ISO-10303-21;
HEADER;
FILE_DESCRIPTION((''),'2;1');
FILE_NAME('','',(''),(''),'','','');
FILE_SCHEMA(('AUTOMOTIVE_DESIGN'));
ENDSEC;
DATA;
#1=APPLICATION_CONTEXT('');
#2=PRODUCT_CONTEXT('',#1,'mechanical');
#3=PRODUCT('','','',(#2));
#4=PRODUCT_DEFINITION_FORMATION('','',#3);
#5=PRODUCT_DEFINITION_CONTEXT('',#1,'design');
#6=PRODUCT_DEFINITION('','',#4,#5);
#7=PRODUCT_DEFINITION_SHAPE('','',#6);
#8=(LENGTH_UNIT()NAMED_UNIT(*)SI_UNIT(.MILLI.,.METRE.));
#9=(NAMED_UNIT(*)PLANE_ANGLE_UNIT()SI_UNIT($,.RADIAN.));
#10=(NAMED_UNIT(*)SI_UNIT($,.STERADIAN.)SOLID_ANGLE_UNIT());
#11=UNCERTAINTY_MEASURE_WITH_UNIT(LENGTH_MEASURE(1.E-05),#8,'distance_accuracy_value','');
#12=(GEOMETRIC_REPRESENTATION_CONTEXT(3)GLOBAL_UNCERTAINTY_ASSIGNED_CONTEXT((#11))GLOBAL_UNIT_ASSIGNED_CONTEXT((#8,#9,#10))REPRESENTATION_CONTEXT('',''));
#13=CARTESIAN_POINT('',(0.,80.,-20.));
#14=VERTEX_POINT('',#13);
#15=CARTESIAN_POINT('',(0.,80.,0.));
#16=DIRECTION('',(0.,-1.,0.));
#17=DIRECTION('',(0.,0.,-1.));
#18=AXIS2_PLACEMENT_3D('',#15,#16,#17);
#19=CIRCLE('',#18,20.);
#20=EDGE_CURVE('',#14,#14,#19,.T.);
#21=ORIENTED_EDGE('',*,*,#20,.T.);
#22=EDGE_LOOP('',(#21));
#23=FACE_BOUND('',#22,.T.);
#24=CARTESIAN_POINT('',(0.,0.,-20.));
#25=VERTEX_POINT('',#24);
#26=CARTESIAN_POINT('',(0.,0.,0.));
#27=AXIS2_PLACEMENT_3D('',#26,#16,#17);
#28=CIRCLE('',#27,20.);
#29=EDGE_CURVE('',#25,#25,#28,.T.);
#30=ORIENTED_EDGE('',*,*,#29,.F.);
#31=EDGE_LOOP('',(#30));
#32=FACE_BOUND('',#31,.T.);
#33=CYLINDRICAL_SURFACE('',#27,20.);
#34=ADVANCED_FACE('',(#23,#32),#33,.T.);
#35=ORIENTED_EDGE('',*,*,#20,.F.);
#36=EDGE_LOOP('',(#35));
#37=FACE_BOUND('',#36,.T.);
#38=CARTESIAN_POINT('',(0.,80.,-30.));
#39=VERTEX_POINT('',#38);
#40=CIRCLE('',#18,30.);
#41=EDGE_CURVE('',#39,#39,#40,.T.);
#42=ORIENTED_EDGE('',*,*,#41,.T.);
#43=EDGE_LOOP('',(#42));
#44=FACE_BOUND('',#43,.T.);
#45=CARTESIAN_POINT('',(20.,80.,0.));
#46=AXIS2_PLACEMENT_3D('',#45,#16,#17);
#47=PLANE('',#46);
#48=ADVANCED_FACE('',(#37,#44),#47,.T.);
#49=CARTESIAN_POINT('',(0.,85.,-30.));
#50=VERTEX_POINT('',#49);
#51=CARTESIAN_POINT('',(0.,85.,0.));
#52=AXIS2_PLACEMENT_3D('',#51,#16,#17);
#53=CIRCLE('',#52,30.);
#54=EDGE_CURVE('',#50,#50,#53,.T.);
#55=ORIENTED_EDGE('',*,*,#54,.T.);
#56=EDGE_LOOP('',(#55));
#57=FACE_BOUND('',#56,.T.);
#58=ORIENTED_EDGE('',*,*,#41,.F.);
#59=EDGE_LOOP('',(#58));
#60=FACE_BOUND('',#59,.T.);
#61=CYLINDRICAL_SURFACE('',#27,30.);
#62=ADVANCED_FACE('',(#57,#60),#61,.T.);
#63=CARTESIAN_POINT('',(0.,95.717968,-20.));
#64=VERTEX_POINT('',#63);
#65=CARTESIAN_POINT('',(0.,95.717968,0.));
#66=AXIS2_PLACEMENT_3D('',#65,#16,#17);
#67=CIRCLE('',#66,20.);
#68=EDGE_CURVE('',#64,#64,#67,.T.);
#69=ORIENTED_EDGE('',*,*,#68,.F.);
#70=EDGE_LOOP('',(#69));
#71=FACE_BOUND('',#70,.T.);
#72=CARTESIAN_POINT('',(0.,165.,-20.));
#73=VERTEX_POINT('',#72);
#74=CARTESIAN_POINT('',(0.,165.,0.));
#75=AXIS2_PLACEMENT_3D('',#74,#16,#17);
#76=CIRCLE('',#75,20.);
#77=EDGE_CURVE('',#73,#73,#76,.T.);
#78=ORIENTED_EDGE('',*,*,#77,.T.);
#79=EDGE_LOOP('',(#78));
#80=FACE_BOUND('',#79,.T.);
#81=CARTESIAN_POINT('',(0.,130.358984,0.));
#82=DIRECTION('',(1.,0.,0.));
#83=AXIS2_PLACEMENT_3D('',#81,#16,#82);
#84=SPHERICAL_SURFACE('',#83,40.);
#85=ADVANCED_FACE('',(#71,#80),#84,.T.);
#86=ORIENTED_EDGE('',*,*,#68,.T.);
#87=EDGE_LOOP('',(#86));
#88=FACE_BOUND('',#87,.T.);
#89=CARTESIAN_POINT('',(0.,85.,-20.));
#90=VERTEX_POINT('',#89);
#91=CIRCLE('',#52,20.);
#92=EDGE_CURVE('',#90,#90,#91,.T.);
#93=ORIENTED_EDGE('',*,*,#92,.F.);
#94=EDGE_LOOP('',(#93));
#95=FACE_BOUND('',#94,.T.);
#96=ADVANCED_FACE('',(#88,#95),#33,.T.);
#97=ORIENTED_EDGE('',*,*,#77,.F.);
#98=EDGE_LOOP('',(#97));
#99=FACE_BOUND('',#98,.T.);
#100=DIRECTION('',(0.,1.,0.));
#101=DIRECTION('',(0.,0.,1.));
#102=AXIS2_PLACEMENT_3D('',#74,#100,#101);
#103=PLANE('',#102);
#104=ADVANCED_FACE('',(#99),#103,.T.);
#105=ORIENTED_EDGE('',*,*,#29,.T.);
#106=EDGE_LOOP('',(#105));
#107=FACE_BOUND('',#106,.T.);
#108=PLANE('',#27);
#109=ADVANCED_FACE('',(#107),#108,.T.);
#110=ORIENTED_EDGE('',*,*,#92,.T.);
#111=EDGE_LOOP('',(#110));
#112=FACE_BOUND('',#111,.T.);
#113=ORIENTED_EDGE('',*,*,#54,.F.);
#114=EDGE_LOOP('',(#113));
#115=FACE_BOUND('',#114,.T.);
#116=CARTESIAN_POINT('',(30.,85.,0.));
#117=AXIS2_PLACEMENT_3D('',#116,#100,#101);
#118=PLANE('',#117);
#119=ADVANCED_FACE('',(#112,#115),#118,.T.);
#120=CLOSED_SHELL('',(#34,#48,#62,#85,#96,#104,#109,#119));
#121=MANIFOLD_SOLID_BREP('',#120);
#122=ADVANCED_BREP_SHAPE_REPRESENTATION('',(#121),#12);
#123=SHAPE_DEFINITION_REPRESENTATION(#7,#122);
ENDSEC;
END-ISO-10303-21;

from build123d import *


with BuildPart() as part:
    # Sketch1 → Revolve1 (revolve)
    with BuildSketch(Plane.XY):
        with BuildLine():
            Line((0, 0), (20, 0))
            Line((20, 0), (20, 80))
            Line((20, 80), (30, 80))
            Line((30, 80), (30, 85))
            Line((30, 85), (20, 85))
            Line((20, 85), (20, 95.717967697))
            ThreePointArc((20, 95.717967697), (40, 130.358983849), (20, 165))
            Line((20, 165), (0, 165))
            Line((0, 165), (0, 0))
        make_face()
    revolve(axis=Axis((0, 0, 0), (0, 1, 0)))


solid = part.part
